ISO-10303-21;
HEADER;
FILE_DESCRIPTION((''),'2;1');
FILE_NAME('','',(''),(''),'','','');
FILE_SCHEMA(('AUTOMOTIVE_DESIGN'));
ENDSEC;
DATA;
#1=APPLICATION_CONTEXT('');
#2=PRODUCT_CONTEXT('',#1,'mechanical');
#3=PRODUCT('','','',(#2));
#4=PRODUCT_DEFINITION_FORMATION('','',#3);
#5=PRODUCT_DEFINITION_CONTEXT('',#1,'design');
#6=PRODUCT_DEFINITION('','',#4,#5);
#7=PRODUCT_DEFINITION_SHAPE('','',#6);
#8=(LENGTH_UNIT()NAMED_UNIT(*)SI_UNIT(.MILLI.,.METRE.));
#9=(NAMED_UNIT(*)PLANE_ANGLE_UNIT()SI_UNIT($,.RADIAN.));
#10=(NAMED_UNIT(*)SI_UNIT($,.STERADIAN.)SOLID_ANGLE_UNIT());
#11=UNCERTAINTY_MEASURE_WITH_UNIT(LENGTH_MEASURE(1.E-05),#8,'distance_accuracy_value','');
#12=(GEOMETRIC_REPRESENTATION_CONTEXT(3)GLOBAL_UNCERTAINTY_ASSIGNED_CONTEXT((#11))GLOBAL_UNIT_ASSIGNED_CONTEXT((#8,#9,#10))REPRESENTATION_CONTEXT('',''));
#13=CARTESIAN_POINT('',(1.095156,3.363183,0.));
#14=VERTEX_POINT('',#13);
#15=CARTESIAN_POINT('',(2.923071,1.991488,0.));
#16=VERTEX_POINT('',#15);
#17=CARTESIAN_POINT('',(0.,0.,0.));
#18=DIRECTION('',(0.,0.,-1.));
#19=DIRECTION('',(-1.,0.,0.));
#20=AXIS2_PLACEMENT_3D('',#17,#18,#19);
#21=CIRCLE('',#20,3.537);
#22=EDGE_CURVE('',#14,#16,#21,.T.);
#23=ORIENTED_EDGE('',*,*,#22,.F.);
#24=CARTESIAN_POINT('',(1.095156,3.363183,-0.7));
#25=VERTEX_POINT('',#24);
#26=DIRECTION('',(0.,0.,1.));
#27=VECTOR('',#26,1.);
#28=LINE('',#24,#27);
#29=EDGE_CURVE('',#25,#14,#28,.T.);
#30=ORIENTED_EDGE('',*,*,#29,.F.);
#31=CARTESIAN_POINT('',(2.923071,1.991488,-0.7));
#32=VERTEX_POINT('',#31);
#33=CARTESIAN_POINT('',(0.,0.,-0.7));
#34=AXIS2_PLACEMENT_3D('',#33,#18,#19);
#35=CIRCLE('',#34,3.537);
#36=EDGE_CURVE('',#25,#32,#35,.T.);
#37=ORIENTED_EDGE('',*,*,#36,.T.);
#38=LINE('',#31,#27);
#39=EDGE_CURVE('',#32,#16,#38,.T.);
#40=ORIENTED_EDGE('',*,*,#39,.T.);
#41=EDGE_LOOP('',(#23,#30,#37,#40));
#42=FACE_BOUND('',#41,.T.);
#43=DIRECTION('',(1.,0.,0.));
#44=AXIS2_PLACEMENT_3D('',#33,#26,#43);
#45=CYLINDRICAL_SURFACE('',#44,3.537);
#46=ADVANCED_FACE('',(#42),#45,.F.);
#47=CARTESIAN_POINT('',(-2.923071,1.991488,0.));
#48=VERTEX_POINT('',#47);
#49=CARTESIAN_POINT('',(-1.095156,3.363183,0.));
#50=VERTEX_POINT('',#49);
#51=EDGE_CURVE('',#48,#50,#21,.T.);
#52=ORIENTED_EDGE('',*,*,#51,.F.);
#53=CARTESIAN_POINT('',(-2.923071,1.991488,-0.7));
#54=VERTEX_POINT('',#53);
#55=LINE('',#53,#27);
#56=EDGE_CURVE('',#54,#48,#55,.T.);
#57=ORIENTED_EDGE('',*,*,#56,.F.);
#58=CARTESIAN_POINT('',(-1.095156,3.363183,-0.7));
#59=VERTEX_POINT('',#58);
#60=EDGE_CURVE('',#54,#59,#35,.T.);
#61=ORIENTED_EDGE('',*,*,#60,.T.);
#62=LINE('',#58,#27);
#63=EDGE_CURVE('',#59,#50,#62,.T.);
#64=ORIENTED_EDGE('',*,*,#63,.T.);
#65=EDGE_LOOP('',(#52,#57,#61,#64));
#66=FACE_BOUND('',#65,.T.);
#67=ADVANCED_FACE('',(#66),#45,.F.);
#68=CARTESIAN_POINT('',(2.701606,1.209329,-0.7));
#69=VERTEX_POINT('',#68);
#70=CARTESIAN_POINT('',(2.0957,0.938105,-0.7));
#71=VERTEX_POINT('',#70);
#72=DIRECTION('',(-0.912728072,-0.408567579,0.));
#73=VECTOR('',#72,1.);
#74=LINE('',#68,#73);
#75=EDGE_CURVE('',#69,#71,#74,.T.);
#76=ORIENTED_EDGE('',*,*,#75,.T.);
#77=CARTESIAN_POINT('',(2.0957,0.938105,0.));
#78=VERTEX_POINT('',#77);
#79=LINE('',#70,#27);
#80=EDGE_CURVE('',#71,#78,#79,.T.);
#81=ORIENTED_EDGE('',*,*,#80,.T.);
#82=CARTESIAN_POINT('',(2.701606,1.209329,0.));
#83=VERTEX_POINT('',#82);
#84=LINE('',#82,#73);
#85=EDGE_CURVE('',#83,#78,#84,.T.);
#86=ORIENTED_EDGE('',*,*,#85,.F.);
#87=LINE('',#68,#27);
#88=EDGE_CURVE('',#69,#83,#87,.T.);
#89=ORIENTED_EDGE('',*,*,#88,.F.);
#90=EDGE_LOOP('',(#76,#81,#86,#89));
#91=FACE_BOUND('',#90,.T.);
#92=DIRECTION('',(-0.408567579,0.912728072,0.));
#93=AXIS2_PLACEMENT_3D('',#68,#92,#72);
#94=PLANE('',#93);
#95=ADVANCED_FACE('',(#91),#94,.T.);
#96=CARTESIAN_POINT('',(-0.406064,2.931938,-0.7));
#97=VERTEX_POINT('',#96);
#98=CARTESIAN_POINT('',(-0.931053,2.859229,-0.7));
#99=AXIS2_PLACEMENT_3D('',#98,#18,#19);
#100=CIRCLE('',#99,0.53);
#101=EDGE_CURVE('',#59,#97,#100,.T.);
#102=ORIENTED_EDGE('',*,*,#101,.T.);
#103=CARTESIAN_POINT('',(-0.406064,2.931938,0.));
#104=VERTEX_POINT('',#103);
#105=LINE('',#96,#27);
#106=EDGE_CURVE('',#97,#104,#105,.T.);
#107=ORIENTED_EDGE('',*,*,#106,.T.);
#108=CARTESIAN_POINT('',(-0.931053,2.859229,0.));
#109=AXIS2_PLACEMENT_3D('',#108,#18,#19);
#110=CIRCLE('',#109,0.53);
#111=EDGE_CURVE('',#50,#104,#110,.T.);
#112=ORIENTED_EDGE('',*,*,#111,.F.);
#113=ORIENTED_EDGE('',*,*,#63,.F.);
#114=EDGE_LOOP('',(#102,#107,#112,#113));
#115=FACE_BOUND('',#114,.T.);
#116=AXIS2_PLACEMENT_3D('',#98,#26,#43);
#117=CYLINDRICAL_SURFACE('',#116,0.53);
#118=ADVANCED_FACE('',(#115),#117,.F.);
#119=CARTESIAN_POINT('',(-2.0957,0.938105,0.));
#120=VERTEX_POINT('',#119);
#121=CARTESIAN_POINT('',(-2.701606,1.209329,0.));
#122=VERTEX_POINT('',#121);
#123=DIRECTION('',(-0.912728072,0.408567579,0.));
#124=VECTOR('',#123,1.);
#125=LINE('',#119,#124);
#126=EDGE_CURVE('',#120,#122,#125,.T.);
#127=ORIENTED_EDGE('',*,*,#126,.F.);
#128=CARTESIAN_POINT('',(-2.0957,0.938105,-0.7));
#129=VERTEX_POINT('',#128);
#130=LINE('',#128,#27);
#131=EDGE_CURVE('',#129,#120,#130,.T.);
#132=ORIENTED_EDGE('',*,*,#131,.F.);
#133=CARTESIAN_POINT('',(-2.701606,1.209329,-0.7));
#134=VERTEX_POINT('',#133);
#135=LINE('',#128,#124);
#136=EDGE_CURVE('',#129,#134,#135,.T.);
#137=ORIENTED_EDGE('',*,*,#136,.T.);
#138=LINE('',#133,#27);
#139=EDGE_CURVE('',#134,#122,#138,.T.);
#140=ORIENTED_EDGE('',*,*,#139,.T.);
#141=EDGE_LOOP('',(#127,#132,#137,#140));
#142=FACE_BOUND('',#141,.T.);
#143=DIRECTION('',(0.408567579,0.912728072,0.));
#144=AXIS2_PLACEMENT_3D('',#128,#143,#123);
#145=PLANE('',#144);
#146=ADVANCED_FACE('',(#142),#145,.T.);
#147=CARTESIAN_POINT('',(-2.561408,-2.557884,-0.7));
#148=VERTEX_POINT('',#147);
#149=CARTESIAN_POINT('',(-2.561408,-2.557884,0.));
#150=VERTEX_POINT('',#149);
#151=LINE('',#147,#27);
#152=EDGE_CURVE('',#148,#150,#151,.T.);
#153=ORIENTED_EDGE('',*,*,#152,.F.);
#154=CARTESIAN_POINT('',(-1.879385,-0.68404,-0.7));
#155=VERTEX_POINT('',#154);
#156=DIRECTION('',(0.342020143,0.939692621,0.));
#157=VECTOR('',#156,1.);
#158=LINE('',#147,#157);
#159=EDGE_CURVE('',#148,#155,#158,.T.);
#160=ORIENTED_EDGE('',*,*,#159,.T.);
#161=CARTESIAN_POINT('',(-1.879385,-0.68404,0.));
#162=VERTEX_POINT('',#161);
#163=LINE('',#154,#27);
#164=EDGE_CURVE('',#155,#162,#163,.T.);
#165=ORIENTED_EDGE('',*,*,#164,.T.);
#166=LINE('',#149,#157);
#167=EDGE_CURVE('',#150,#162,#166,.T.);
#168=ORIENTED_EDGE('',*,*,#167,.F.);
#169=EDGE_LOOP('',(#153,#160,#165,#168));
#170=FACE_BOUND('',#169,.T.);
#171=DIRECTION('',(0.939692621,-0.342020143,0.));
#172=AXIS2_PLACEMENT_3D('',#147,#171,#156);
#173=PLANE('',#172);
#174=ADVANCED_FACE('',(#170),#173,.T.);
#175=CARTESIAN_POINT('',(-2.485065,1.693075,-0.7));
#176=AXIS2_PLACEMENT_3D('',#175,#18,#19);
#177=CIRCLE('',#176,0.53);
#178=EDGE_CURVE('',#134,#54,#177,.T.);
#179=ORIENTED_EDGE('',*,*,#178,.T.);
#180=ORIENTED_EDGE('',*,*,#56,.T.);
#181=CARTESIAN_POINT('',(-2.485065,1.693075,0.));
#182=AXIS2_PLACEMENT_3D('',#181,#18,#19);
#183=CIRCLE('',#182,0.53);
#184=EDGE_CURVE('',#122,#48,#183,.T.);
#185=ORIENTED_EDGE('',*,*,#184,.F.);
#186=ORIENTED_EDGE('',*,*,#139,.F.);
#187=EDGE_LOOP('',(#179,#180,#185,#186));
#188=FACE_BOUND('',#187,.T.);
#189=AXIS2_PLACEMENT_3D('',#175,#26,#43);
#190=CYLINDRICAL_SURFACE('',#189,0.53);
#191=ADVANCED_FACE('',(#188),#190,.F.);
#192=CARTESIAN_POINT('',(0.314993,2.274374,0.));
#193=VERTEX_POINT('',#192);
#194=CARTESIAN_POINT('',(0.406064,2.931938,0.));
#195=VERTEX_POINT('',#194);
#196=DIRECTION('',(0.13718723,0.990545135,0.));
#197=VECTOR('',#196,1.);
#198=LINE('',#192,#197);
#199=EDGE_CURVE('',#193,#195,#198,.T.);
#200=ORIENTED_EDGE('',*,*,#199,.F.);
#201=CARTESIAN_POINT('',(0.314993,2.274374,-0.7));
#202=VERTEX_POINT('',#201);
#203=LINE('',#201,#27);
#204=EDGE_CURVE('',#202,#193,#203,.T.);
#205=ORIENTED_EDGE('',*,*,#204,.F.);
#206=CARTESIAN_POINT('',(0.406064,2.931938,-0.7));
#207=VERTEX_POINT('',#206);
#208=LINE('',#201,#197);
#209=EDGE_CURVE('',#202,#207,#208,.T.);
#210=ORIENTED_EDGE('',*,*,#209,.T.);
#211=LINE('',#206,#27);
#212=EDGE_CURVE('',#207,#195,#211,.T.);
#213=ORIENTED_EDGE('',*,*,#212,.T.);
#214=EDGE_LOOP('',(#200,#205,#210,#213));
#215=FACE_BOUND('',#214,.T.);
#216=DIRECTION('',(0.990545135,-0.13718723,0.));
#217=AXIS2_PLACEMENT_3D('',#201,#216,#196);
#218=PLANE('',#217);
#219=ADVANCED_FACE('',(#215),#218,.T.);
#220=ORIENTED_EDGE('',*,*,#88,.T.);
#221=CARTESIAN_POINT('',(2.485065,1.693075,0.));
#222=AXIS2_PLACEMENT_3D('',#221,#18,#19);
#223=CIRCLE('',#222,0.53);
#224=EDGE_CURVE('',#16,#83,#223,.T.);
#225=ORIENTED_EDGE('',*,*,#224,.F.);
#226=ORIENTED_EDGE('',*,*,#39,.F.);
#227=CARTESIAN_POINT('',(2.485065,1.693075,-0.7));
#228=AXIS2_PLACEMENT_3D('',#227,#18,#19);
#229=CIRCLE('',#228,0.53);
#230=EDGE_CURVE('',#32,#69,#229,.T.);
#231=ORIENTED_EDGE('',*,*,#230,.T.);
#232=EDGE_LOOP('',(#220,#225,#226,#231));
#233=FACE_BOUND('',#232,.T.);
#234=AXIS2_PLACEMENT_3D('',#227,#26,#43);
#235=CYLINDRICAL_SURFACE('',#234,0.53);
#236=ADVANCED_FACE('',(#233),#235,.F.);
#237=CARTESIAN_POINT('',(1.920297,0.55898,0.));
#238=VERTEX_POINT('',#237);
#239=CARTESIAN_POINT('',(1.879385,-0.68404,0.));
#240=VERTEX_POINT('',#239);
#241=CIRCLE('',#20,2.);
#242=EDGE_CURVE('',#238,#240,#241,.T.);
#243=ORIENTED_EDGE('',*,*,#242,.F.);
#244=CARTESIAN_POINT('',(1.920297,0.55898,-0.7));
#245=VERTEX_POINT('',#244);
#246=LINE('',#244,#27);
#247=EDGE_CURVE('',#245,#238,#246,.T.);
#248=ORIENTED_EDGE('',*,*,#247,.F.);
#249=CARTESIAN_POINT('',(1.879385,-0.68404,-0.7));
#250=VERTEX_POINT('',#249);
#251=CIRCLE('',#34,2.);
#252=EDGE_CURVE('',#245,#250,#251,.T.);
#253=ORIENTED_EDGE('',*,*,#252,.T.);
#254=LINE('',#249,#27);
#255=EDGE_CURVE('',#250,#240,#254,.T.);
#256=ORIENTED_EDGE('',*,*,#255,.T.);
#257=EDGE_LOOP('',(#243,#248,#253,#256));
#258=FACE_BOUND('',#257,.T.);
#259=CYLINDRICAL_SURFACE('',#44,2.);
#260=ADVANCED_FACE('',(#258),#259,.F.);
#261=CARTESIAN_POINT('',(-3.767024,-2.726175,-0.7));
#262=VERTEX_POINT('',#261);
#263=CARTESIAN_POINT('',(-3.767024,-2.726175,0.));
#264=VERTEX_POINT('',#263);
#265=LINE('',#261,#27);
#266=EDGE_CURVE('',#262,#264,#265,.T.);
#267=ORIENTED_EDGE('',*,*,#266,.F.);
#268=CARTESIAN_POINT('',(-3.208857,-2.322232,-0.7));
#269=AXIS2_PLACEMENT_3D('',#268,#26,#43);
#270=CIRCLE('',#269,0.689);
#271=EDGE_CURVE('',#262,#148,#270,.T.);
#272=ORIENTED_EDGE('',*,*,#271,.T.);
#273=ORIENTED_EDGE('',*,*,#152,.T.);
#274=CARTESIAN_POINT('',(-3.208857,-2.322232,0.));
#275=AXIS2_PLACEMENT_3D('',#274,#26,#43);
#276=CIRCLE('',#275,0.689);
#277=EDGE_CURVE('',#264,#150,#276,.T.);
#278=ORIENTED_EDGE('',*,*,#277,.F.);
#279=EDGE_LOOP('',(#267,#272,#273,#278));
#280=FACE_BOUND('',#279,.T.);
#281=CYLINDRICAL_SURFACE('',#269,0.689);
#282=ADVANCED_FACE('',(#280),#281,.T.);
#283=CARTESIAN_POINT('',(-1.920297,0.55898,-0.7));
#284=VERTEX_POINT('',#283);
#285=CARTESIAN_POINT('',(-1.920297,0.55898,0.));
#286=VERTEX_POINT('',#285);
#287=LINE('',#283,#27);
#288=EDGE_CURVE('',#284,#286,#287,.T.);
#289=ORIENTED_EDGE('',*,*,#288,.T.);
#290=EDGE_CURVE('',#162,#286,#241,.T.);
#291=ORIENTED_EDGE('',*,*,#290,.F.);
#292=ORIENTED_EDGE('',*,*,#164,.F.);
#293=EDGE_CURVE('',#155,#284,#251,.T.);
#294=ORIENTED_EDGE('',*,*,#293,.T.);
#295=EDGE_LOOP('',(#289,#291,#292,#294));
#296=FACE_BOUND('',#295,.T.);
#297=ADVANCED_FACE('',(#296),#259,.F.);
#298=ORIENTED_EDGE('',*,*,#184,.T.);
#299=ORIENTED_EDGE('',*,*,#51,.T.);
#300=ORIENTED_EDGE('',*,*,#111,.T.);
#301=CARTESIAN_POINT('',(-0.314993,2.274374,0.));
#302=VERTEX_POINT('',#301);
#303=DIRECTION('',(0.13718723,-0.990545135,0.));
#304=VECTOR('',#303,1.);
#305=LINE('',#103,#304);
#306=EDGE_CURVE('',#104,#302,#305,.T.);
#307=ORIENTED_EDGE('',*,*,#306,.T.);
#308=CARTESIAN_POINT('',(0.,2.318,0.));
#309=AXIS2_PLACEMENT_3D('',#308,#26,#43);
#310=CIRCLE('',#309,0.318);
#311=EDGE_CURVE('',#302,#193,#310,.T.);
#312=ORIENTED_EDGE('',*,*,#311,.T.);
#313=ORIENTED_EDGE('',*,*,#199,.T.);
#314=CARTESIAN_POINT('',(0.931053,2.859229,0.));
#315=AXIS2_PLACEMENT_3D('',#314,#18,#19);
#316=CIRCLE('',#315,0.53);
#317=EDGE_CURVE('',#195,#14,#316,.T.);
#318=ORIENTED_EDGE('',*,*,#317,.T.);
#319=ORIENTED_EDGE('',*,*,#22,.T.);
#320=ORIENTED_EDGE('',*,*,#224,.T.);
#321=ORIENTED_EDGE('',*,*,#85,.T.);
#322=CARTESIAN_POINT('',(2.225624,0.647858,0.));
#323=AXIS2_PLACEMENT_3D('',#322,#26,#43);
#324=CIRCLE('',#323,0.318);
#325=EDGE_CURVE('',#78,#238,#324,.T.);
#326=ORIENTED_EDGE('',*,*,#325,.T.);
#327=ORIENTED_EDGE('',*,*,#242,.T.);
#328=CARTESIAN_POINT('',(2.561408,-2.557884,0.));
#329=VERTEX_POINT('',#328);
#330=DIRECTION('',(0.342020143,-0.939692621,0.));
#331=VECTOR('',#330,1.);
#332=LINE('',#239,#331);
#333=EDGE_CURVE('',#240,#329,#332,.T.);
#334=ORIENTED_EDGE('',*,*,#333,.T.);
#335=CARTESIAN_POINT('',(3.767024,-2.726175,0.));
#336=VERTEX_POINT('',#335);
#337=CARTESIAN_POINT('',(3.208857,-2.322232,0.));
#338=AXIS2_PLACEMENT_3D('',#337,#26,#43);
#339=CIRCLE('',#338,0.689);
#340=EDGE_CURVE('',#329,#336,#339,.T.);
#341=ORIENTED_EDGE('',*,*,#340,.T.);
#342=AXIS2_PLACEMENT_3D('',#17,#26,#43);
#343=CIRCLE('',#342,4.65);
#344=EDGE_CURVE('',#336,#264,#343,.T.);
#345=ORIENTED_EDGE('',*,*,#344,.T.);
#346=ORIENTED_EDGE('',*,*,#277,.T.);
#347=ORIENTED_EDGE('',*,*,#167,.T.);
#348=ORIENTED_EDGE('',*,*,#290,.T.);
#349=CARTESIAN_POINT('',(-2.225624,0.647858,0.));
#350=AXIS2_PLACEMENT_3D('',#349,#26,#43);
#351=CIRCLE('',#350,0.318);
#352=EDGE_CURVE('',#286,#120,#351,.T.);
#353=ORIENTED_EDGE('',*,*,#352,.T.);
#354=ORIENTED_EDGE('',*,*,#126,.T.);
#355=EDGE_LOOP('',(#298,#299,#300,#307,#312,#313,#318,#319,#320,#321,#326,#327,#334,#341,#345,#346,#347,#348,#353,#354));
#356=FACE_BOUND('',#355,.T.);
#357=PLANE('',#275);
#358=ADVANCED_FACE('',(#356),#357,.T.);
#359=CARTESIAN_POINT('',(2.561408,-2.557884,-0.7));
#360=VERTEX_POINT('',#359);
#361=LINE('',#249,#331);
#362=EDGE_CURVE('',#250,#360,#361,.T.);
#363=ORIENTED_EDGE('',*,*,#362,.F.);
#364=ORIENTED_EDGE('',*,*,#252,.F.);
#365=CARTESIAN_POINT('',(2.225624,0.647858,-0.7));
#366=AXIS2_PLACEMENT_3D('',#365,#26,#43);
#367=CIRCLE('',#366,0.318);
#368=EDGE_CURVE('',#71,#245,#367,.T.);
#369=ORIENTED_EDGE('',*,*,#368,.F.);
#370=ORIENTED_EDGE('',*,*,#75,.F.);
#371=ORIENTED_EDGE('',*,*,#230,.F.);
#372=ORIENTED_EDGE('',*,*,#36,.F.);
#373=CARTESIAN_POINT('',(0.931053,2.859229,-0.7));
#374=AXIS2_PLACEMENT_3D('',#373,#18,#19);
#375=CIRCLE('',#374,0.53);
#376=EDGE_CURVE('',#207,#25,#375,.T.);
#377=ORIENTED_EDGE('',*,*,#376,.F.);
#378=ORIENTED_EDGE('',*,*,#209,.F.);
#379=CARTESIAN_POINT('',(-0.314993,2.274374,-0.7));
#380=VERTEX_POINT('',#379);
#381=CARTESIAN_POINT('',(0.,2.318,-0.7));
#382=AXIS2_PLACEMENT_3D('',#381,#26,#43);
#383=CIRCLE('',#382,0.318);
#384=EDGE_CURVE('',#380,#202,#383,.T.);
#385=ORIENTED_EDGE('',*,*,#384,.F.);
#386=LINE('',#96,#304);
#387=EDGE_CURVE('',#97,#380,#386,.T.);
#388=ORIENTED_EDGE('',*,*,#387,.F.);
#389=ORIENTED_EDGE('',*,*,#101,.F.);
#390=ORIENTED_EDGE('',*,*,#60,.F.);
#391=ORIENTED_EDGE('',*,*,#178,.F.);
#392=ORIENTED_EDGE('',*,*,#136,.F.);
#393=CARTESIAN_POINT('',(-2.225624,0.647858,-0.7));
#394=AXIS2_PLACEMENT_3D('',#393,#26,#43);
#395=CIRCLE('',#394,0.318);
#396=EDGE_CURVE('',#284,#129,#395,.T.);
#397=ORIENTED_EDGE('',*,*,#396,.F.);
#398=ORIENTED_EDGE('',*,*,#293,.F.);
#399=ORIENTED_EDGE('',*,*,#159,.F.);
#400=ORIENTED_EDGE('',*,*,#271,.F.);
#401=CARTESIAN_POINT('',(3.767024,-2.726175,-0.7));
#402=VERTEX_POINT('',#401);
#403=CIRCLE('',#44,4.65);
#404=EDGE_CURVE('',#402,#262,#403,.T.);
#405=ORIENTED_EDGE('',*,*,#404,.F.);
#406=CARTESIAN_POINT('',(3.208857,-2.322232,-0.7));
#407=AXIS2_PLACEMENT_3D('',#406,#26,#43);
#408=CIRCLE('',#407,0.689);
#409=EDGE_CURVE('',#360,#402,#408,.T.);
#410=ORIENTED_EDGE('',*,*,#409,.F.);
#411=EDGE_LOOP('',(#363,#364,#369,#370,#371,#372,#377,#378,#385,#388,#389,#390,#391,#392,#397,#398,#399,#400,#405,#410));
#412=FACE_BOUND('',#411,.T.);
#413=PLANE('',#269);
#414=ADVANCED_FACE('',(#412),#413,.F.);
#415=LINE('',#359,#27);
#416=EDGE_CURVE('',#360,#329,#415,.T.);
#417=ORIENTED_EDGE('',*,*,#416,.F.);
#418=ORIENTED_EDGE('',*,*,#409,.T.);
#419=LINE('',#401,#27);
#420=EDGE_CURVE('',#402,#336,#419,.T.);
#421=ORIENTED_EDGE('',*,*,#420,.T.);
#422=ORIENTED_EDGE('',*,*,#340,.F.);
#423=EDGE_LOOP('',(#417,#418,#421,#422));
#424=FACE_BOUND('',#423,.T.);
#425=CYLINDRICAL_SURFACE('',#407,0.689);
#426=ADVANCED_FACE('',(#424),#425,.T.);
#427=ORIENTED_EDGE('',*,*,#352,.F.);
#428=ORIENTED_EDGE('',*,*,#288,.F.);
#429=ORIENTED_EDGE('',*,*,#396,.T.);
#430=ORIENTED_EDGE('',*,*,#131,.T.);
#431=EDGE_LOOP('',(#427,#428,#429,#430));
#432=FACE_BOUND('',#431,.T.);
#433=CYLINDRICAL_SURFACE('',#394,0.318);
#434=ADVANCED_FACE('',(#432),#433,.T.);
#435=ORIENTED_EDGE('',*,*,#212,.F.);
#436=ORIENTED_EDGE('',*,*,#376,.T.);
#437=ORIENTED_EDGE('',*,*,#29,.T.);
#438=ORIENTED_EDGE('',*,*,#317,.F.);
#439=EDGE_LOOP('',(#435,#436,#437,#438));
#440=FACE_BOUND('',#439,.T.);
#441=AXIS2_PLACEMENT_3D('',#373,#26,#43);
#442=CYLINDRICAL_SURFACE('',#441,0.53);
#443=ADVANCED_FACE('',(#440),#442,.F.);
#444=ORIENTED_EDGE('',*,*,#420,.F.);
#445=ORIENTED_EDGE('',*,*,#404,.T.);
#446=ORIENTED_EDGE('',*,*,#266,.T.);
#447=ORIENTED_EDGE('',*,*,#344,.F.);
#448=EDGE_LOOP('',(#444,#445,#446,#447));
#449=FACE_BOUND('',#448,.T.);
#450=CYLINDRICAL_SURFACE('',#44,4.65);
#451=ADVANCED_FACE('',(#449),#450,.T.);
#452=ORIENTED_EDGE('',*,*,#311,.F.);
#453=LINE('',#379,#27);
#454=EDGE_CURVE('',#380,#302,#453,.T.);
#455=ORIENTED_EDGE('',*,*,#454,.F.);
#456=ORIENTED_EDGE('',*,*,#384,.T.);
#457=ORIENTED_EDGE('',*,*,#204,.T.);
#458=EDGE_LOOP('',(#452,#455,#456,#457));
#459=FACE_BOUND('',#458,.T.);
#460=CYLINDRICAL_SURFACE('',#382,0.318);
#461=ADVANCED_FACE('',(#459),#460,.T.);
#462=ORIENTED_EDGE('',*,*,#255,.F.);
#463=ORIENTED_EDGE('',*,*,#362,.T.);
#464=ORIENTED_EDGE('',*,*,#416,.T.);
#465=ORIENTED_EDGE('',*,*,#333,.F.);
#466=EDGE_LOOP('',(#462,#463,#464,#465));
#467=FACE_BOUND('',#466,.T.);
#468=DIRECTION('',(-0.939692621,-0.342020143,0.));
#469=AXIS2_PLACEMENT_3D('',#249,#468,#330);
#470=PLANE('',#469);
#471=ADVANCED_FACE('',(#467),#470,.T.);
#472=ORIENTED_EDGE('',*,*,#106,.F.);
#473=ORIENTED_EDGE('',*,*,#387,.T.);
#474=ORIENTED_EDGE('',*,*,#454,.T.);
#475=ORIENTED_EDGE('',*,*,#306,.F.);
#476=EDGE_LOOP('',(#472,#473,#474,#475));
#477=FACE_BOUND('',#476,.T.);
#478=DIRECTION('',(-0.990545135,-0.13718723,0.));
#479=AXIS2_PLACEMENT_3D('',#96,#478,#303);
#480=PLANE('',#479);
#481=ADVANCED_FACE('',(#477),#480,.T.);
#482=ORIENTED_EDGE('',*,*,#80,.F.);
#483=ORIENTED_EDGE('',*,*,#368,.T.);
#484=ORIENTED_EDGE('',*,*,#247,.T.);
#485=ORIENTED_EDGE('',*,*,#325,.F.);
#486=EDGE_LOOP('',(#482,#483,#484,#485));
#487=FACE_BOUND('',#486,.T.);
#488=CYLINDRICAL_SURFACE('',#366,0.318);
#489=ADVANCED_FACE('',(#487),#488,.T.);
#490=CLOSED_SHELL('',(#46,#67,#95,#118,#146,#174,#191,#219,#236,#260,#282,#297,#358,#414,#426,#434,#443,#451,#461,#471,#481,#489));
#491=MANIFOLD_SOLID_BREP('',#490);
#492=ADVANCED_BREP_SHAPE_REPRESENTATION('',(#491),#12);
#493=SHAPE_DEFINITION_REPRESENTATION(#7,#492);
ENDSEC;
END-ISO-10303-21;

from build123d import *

# Parameters (mm, degrees)
BOSS_EXTRUDE1_DEPTH = 0.7


with BuildPart() as part:
    # Sketch1 → Boss-Extrude1 (new body)
    with BuildSketch(Plane.XY):
        with BuildLine():
            Line((-2.561408424, -2.557883579), (-1.879385242, -0.684040287))
            ThreePointArc((-1.879385242, -0.684040287), (-1.99891759, -0.065791087), (-1.920297211, 0.558979983))
            ThreePointArc((-1.920297211, 0.558979983), (-1.937015688, 0.781382977), (-2.095699977, 0.938105328))
            Line((-2.095699977, 0.938105328), (-2.701605558, 1.209328909))
            ThreePointArc((-2.701605558, 1.209328909), (-2.995016962, 1.548683887), (-2.923070831, 1.991488368))
            ThreePointArc((-2.923070831, 1.991488368), (-2.122951492, 2.829036225), (-1.095155737, 3.363183449))
            ThreePointArc((-1.095155737, 3.363183449), (-0.649889409, 3.308503006), (-0.406063751, 2.931938136))
            Line((-0.406063751, 2.931938136), (-0.314993353, 2.274374461))
            ThreePointArc((-0.314993353, 2.274374461), (0, 2), (0.314993353, 2.274374461))
            Line((0.314993353, 2.274374461), (0.406063751, 2.931938136))
            ThreePointArc((0.406063751, 2.931938136), (0.649889409, 3.308503006), (1.095155737, 3.363183449))
            ThreePointArc((1.095155737, 3.363183449), (2.122951492, 2.829036225), (2.923070831, 1.991488368))
            ThreePointArc((2.923070831, 1.991488368), (2.995016962, 1.548683887), (2.701605558, 1.209328909))
            Line((2.701605558, 1.209328909), (2.095699977, 0.938105328))
            ThreePointArc((2.095699977, 0.938105328), (1.937015688, 0.781382977), (1.920297211, 0.558979983))
            ThreePointArc((1.920297211, 0.558979983), (1.99891759, -0.065791087), (1.879385242, -0.684040287))
            Line((1.879385242, -0.684040287), (2.561408424, -2.557883579))
            ThreePointArc((2.561408424, -2.557883579), (3.113603209, -3.004615598), (3.76702433, -2.726174553))
            ThreePointArc((3.76702433, -2.726174553), (0, 4.65), (-3.76702433, -2.726174553))
            ThreePointArc((-3.76702433, -2.726174553), (-3.113603209, -3.004615598), (-2.561408424, -2.557883579))
        make_face()
    extrude(amount=-BOSS_EXTRUDE1_DEPTH)


solid = part.part
